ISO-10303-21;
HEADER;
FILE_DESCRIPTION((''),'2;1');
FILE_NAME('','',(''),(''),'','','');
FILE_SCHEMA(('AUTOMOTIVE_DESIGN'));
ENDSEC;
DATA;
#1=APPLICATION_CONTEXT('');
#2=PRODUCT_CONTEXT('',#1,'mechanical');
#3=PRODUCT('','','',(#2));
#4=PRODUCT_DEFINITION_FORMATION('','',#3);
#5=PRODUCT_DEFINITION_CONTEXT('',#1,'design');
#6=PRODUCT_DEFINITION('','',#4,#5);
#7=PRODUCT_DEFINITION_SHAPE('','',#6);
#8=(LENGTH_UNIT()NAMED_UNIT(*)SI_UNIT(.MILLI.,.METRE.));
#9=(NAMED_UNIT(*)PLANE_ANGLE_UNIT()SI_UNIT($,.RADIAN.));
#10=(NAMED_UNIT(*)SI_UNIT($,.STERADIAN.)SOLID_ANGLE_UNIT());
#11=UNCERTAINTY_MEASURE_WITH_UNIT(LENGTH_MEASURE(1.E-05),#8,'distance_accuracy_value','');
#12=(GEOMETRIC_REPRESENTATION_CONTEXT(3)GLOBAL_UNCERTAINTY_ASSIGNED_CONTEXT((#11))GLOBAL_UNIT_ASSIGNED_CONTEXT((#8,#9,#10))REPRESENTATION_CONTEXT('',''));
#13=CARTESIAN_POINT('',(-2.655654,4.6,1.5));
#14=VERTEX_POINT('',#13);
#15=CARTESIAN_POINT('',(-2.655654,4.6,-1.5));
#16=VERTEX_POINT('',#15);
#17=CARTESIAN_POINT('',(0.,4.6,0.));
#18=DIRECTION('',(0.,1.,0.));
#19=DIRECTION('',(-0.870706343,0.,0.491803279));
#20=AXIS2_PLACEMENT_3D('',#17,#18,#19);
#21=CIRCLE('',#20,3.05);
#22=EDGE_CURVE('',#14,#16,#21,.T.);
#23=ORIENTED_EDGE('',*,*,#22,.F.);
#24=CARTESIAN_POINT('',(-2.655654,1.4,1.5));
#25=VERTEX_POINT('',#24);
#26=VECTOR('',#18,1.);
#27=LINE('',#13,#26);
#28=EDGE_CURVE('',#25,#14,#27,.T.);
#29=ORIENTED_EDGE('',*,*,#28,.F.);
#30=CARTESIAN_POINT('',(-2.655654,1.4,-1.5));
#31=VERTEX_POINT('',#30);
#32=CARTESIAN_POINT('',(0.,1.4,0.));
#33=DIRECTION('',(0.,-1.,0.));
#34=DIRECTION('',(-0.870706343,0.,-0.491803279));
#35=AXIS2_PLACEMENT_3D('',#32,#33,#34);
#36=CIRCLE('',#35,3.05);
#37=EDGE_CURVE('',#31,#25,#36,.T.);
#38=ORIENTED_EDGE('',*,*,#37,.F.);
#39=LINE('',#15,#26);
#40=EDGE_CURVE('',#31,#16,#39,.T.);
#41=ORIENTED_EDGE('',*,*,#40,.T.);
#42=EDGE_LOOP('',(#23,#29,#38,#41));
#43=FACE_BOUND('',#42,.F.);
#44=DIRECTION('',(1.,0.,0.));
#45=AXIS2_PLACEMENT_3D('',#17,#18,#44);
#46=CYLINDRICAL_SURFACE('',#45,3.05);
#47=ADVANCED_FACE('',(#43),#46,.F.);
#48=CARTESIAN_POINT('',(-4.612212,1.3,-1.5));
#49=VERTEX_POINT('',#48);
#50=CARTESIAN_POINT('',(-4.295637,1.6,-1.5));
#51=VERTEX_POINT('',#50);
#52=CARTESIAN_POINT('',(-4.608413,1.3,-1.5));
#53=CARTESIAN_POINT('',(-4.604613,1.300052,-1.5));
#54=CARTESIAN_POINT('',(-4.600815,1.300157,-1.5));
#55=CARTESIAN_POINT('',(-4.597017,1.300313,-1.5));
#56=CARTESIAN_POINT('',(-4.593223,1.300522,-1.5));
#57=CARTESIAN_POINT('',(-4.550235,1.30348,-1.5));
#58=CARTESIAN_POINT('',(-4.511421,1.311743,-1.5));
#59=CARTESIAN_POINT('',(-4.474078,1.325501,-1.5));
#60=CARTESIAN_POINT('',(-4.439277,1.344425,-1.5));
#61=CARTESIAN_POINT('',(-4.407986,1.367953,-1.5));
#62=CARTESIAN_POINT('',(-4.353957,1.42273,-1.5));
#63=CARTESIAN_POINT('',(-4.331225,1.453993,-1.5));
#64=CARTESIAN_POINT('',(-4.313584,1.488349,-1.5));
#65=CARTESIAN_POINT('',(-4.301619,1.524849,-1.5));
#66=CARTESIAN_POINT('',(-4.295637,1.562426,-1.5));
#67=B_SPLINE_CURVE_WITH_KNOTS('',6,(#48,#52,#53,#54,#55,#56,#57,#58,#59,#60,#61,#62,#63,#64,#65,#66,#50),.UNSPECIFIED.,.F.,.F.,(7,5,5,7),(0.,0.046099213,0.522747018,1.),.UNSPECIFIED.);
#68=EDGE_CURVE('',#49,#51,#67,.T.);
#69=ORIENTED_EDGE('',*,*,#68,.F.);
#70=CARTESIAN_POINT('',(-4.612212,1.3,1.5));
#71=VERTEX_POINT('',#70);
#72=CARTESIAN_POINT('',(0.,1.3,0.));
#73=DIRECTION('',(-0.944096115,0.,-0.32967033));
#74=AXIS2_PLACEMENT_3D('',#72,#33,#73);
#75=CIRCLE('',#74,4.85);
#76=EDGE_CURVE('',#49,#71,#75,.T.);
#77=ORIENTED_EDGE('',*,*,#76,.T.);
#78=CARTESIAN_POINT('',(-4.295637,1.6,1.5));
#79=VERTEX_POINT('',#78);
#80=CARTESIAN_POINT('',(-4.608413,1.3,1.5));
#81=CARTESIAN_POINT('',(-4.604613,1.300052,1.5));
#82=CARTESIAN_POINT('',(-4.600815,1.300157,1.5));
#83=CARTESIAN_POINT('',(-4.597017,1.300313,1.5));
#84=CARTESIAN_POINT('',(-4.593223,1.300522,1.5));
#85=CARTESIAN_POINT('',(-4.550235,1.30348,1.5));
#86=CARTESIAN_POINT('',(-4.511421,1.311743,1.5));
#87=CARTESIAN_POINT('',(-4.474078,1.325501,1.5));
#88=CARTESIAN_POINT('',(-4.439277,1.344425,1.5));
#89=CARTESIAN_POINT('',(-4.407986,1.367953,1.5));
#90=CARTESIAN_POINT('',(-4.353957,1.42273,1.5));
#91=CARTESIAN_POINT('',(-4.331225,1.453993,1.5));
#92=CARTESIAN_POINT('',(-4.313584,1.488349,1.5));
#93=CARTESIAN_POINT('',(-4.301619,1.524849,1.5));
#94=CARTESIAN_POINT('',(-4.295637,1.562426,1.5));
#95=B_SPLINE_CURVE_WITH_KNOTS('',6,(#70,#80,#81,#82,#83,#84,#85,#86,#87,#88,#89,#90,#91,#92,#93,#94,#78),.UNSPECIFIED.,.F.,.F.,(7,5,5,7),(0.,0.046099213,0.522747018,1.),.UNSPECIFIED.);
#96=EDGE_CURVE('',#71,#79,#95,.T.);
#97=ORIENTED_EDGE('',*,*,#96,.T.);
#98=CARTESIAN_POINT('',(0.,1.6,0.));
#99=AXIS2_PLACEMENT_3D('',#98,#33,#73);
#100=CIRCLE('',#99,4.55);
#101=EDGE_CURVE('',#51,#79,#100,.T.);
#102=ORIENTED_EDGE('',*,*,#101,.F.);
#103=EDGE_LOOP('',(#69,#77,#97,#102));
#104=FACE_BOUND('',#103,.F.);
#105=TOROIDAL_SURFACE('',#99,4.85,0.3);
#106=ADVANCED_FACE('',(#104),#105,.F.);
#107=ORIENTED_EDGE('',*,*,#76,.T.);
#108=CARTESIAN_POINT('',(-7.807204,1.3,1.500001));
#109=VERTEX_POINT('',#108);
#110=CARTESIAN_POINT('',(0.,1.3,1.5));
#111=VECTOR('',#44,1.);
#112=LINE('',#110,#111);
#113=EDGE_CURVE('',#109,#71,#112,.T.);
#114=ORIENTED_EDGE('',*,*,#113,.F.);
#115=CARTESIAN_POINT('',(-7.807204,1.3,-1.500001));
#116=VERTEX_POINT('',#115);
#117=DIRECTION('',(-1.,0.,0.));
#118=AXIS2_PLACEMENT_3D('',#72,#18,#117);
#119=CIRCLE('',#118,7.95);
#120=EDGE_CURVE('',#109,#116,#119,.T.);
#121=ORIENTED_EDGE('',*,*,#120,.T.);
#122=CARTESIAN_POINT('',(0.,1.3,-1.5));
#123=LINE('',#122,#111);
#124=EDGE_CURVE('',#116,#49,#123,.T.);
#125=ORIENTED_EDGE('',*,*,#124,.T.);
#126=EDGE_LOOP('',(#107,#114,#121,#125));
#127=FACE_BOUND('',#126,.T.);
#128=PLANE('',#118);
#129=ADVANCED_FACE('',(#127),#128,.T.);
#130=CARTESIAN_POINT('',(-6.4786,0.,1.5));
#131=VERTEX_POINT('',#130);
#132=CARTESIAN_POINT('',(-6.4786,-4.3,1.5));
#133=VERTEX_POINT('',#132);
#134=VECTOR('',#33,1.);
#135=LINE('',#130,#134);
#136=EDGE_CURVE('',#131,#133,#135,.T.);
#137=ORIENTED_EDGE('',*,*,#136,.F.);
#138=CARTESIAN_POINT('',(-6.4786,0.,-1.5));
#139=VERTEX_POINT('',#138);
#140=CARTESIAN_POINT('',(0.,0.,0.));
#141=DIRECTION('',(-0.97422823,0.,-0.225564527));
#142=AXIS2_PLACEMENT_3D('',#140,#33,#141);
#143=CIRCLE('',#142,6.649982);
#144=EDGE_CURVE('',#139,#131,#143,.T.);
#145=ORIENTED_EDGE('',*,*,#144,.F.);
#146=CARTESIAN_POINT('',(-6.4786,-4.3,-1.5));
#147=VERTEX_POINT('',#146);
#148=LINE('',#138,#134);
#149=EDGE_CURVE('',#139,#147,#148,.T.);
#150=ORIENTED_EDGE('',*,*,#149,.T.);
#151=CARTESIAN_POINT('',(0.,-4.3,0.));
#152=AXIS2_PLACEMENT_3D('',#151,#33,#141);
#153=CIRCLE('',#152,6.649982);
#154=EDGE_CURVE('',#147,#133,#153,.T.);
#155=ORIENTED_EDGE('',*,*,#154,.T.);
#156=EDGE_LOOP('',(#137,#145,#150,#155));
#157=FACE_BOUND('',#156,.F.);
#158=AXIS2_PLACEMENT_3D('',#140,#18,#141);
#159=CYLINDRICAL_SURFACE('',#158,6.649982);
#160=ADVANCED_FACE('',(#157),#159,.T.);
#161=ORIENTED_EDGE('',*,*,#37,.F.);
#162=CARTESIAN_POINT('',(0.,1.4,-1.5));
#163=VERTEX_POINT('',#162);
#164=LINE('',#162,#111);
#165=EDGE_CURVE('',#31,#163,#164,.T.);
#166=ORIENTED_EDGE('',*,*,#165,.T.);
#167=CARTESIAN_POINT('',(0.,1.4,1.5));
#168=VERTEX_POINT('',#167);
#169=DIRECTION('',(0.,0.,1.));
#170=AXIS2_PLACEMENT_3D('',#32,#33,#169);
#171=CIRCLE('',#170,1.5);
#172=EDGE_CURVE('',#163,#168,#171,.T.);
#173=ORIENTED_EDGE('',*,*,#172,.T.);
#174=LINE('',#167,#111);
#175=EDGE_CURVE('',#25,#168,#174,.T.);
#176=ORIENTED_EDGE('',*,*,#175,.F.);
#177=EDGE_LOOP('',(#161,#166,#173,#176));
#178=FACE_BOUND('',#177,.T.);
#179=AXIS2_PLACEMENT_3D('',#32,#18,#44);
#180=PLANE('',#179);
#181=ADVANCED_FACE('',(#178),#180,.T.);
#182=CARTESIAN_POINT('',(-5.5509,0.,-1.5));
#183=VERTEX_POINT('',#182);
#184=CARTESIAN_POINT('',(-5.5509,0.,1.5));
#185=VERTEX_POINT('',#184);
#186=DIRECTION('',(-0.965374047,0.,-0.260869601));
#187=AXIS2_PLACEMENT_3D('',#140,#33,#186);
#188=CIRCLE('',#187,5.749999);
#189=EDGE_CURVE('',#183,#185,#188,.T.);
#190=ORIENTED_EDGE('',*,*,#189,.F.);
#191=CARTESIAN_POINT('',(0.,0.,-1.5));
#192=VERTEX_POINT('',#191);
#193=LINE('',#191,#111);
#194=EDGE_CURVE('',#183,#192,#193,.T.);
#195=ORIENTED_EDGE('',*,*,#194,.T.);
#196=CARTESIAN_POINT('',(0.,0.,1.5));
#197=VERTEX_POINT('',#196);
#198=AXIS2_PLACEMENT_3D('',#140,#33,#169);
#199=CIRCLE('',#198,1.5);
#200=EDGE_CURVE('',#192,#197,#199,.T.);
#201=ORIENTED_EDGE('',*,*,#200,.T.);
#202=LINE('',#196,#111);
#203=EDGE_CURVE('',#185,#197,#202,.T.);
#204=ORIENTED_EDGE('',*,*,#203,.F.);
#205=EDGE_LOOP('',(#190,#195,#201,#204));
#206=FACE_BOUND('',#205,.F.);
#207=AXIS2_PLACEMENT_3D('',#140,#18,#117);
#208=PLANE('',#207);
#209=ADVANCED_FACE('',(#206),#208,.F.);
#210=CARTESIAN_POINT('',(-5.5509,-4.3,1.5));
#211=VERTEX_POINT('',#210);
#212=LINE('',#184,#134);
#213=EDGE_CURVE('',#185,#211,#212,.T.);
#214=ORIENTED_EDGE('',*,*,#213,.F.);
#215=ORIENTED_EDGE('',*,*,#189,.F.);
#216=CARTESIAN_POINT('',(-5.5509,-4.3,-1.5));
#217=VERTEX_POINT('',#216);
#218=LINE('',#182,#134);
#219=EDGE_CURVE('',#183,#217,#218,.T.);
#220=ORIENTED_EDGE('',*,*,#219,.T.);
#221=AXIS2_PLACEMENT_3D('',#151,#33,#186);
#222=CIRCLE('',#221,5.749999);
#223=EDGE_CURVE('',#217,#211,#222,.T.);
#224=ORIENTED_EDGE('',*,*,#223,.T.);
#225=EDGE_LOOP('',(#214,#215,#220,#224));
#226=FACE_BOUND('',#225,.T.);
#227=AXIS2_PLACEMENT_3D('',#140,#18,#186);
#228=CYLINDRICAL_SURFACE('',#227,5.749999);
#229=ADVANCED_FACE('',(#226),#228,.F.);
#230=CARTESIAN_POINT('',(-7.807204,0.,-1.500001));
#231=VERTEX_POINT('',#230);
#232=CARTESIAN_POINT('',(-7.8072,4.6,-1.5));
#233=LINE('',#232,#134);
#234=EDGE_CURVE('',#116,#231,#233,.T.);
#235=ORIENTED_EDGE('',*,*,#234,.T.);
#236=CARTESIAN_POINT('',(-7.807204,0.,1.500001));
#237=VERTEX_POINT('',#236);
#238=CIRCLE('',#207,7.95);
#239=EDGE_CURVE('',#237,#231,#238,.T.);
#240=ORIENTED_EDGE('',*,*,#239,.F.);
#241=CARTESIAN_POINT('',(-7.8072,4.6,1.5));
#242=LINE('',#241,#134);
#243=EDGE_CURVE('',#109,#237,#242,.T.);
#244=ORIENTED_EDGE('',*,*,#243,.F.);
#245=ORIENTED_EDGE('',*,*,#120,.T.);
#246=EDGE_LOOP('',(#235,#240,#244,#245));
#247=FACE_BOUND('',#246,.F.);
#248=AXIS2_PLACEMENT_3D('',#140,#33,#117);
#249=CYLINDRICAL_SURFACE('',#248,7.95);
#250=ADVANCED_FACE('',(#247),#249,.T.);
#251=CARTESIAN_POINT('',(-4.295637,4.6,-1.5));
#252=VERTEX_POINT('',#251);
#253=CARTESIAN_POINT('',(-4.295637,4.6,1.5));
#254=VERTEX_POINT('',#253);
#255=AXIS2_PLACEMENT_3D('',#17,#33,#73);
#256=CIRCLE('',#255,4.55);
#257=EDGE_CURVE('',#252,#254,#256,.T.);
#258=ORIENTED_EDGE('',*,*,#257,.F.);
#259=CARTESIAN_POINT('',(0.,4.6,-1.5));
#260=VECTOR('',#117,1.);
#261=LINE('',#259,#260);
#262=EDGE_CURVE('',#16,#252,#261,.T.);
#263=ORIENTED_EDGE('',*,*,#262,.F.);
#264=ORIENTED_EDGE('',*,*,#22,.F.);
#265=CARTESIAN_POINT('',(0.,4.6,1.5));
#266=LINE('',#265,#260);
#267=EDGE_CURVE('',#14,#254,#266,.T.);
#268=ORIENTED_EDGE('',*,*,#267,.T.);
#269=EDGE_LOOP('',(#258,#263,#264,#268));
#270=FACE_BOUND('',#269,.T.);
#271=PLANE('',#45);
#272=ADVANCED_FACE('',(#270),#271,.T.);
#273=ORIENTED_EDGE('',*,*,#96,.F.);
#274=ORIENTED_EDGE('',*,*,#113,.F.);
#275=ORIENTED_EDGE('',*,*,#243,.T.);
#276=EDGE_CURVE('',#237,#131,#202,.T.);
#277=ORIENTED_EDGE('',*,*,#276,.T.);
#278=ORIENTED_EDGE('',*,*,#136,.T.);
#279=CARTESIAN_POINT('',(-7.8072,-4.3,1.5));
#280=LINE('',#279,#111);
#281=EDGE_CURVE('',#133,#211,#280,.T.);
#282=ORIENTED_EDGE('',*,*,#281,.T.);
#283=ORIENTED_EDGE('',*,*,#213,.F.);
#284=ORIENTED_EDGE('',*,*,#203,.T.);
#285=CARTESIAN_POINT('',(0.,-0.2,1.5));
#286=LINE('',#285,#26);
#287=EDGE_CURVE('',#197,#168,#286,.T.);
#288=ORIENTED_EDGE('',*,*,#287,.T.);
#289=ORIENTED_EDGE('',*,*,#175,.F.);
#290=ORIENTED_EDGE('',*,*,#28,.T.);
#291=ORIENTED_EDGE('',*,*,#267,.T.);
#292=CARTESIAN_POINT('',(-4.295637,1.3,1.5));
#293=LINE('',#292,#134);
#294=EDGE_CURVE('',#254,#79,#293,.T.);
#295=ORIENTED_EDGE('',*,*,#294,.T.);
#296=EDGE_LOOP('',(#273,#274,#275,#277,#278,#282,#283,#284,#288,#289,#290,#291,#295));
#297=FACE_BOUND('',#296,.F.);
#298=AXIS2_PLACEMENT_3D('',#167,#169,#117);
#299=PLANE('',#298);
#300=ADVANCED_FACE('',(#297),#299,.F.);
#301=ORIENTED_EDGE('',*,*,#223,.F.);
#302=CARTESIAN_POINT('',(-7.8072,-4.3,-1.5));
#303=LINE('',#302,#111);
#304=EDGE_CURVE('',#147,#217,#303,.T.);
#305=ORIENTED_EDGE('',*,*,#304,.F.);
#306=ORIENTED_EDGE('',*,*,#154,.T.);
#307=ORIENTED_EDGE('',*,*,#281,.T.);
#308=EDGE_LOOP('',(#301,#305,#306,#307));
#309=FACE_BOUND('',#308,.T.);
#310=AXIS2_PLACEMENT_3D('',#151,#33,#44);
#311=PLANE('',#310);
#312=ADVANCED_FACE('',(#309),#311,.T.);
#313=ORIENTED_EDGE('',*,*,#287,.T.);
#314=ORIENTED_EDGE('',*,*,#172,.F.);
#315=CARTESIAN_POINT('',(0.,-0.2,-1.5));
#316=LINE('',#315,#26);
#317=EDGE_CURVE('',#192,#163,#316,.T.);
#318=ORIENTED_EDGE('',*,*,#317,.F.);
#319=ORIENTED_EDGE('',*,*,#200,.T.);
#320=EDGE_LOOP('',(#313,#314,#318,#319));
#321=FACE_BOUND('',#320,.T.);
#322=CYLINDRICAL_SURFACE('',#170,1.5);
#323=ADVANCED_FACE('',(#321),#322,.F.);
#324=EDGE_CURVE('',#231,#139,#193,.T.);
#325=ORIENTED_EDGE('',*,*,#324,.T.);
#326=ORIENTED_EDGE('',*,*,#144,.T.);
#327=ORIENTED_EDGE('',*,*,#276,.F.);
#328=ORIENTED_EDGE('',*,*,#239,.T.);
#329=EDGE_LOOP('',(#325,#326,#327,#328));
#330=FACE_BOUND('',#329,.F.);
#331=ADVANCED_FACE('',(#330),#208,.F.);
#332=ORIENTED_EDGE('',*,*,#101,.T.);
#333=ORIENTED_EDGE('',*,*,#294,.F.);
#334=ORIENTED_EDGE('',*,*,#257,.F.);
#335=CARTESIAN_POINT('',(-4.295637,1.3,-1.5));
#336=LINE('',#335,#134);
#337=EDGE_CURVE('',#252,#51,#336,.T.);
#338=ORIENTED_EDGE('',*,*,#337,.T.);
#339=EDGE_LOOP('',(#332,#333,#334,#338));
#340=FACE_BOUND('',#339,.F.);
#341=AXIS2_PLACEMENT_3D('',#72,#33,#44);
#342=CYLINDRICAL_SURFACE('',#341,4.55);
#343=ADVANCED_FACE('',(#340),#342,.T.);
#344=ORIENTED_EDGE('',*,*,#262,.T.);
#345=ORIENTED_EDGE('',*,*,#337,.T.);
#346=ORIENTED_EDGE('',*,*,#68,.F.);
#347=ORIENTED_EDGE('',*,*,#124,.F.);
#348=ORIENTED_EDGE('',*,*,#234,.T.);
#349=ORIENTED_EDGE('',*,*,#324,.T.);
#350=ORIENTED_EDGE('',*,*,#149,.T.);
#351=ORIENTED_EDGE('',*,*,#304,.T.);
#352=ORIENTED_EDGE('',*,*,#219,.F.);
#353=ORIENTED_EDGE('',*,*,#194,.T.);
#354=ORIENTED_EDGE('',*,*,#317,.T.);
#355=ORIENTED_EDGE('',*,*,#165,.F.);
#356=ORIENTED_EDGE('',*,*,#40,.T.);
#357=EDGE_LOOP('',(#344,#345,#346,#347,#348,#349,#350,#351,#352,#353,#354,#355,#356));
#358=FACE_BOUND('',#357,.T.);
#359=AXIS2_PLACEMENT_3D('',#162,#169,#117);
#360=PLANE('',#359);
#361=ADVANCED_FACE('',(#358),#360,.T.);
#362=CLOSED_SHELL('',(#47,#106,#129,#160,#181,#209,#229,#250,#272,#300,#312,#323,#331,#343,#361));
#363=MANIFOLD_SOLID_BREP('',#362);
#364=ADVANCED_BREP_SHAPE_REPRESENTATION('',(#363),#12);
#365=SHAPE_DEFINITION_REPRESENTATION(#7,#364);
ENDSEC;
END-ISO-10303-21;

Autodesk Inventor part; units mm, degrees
ref_plane "YZ Plane" through (0, 0, 0) normal (1, 0, 0) x (0, 1, 0)
ref_plane "XZ Plane" through (0, 0, 0) normal (0, 1, 0) x (-1, 0, 0)
ref_plane "XY Plane" through (0, 0, 0) normal (0, 0, 1) x (1, 0, 0)
sketch "Boceto1" plane through (0, 0, 0) normal (0, 1, 0) x (-1, 0, 0)
  circle A0 centre (0, 0) radius 7.95
  dimension "d0" = 15.9
extrude "Extrusión1" add sketch "Boceto1" along normal blind 1.3
sketch "Boceto2" plane through (0, 1.3, 0) normal (0, 1, 0) x (1, 0, 0)
  circle A0 centre (0, 0) radius 4.55
  dimension "d3" = 9.1
extrude "Extrusión2" add sketch "Boceto2" along normal blind 3.3
sketch "Boceto3" plane through (0, 4.6, 0) normal (0, 1, 0) x (1, 0, 0)
  circle A0 centre (0, 0) radius 3.05
  dimension "d6" = 6.1
extrude "Extrusión3" cut sketch "Boceto3" against normal blind 3.2
sketch "Boceto4" plane through (0, 1.4, 0) normal (0, 1, 0) x (1, 0, 0)
  arc A0 (0, -1.5) -> (0, 1.5) centre (0, 0) ccw
  line L0 (0, -1.5) -> (-7.8072, -1.5)
  circle A1 centre (0, 0) radius 7.95 projected
  line L1 (0, 1.5) -> (-7.8072, 1.5)
  arc A2 (-7.8072, 1.5) -> (-7.8072, -1.5) centre (0, 0) ccw
  dimension "d9" = 3
extrude "Extrusión4" cut sketch "Boceto4" along normal blind 3.2 and the other way blind 1.6 contours L0 A1 L1 A0 picked at (-2.6447, -0.1676)
fillet "Empalme1" radius 0.3 1 edges at (4.55, 1.3, 0)
sketch "Boceto5" plane through (0, 0, 0) normal (0, -1, 0) x (1, 0, 0)
  arc A0 (-6.4786, -1.5) -> (-6.4786, 1.5) centre (0, 0) ccw
  arc A1 (-5.5509, -1.5) -> (-5.5509, 1.5) centre (0, 0) ccw
  line L0 (-7.8072, 1.5) -> (0, 1.5) projected
  line L1 (-5.5509, 1.5) -> (-6.4786, 1.5)
  line L2 (-7.8072, -1.5) -> (-4.6122, -1.5) projected
  line L3 (-6.4786, -1.5) -> (-5.5509, -1.5)
  dimension "d15" = 13.3
  dimension "d16" = 11.5
extrude "Extrusión5" add sketch "Boceto5" along normal blind 4.3
properties part number "Pieza_Presion_resorte" material "Plástico ABS"
